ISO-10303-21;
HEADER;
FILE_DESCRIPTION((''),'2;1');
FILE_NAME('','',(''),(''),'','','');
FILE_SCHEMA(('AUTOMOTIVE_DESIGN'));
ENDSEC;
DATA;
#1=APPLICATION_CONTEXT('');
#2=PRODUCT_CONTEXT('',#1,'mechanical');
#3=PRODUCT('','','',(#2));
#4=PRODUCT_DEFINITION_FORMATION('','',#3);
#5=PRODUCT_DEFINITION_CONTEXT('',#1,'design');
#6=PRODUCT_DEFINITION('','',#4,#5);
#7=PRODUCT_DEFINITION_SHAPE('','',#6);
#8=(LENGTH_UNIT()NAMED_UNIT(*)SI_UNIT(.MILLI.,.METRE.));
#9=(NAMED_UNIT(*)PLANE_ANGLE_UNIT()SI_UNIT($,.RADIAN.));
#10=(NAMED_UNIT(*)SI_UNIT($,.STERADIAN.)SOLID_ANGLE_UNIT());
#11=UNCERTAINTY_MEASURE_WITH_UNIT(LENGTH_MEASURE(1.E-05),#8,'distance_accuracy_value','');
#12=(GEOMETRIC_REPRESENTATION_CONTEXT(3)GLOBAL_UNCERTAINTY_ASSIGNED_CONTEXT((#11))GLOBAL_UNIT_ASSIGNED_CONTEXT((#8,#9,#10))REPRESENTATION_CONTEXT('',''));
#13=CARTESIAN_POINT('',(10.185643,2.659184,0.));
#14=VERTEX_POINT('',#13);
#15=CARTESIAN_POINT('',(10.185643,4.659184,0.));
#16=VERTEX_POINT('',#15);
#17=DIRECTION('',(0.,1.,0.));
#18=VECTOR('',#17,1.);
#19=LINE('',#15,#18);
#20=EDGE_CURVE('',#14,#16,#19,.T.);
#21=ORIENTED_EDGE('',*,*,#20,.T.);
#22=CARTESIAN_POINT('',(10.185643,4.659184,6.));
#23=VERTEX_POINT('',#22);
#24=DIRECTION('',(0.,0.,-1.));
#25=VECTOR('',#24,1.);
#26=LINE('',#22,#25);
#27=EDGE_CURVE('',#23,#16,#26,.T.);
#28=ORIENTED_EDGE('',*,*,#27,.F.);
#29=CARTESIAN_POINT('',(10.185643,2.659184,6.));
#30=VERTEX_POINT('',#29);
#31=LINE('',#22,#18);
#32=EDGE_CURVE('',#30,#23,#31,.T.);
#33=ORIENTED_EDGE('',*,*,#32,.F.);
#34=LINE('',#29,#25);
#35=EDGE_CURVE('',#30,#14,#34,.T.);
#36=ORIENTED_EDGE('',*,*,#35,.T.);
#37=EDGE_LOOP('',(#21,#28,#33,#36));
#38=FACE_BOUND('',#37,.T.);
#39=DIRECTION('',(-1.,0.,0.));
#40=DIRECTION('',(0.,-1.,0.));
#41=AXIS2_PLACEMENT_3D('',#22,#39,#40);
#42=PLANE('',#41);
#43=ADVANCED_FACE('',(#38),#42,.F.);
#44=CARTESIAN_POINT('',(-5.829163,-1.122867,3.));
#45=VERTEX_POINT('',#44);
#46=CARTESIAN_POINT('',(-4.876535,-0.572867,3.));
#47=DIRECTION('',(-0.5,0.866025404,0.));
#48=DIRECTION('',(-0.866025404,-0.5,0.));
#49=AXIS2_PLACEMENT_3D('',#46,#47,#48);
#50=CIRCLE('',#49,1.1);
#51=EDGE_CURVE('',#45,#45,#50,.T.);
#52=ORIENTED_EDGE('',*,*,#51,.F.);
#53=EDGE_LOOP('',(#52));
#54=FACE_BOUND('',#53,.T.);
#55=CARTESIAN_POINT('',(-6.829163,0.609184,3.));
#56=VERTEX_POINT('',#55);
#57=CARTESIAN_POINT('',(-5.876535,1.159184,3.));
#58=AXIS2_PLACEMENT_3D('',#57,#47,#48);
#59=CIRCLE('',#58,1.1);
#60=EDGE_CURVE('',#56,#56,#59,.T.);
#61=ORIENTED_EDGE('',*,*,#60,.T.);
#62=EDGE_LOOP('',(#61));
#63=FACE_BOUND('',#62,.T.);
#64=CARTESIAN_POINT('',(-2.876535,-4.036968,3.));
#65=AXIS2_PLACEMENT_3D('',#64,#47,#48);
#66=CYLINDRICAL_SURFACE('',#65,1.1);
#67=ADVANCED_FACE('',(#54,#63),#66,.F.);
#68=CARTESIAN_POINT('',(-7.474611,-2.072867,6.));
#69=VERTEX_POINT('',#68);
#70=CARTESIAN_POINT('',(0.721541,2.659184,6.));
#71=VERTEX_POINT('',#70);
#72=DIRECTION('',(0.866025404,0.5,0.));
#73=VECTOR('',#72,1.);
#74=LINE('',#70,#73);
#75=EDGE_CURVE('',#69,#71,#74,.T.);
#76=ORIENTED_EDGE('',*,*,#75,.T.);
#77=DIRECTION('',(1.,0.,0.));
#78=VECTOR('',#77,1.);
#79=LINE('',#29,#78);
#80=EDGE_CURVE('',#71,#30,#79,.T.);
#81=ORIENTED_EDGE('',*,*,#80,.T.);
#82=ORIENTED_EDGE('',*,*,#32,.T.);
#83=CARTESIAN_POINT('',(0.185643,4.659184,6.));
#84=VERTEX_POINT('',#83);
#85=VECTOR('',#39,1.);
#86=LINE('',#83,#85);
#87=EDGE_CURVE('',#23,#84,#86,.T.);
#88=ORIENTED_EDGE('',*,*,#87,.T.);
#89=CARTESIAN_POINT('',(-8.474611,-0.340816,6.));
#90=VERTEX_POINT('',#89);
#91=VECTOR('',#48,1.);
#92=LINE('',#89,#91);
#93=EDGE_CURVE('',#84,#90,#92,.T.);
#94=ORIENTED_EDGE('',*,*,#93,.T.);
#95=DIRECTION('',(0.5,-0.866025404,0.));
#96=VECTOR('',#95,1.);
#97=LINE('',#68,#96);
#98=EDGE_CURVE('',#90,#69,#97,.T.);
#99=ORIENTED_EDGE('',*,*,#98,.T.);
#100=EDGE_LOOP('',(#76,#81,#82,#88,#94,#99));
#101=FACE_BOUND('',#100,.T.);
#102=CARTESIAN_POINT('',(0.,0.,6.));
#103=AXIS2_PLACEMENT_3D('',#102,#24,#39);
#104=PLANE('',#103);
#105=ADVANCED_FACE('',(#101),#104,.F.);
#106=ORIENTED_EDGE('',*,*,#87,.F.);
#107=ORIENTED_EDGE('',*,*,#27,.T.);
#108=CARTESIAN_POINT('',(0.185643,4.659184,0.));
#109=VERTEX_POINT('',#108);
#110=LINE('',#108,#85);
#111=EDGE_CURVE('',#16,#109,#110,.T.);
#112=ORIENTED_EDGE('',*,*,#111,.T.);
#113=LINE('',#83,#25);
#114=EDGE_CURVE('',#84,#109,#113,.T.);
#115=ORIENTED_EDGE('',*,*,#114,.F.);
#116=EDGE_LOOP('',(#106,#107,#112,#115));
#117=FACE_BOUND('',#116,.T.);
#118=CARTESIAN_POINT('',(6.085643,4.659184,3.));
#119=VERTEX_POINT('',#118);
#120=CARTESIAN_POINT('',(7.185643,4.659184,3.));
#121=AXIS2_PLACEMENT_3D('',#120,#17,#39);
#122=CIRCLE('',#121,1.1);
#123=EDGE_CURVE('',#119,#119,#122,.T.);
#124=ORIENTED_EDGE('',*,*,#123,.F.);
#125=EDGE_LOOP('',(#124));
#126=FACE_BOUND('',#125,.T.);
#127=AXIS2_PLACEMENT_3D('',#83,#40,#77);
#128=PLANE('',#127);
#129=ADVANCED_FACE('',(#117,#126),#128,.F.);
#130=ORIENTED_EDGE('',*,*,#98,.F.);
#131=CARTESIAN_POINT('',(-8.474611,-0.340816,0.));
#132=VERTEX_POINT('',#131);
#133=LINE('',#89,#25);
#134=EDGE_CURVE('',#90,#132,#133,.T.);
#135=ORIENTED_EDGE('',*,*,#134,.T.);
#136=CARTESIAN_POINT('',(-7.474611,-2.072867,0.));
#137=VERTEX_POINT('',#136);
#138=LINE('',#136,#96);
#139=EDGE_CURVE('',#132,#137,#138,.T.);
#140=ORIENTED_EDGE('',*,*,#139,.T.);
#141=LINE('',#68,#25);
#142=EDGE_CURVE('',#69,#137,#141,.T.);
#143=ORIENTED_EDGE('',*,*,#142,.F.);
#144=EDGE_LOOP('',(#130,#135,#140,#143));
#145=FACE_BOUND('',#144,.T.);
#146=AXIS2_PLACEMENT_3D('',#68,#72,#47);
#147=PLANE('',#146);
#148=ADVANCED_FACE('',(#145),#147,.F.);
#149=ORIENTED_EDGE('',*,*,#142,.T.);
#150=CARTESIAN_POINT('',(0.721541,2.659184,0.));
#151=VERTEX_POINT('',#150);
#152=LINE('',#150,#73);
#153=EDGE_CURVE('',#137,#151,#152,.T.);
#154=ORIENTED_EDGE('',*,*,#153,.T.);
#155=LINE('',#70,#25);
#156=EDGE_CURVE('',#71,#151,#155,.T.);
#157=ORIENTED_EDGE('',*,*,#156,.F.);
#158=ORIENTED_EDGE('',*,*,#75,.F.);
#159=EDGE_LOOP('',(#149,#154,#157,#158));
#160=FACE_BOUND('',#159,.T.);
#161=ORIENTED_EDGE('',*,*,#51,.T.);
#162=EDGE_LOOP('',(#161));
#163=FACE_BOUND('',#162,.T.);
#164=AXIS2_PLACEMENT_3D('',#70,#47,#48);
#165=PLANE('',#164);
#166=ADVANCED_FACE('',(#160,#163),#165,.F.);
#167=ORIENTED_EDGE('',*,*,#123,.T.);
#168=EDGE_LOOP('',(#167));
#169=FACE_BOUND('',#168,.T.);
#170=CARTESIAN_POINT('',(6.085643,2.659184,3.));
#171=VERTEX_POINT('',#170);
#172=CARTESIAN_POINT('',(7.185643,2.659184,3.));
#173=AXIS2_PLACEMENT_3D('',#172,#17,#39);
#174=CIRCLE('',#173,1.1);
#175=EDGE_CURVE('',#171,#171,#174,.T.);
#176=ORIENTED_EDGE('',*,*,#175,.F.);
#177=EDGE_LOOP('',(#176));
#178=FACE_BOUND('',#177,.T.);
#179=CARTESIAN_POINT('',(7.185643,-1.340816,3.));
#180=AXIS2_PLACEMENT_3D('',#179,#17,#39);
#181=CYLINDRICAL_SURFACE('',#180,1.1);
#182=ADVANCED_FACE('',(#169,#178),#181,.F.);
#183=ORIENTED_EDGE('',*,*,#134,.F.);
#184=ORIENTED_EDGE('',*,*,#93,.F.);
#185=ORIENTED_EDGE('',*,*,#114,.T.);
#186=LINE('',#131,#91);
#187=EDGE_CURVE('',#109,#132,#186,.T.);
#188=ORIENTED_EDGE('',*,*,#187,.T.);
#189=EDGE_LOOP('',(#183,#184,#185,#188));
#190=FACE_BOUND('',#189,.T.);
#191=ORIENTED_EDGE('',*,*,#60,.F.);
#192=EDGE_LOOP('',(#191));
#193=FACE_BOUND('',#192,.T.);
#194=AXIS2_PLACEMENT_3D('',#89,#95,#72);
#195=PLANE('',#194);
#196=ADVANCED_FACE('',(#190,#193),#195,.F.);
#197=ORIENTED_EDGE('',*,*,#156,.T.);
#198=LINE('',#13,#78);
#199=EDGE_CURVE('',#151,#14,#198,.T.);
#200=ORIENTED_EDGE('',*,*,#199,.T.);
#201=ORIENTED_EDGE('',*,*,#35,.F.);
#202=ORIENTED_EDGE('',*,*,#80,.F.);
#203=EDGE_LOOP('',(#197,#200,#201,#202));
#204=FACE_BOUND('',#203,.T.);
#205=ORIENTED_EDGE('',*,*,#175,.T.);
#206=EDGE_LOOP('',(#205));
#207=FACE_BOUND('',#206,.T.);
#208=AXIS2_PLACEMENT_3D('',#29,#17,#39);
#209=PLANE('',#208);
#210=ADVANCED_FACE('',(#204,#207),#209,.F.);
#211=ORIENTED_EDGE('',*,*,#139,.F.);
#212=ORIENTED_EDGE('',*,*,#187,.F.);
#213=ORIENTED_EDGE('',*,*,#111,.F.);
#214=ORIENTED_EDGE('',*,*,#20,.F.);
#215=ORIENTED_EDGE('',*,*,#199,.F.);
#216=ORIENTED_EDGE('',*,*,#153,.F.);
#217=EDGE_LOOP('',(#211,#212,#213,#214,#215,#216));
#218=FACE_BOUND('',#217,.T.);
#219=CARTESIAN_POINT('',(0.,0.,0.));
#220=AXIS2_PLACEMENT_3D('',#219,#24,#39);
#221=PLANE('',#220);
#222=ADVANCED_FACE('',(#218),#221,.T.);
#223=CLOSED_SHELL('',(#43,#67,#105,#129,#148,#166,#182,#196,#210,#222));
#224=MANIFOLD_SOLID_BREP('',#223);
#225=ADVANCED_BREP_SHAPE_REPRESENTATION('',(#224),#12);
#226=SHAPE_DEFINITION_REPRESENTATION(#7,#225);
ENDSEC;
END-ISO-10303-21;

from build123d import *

# Parameters (mm, degrees)
BOSS_EXTRUDE1_DEPTH = 6
SKETCH2_R           = 1.1
CUT_EXTRUDE1_DEPTH  = 6
SKETCH3_R           = 1.1
CUT_EXTRUDE2_DEPTH  = 6


with BuildPart() as part:
    # Sketch1 → Boss-Extrude1 (new body)
    with BuildSketch(Plane.XY):
        Polygon((-8.474611219, -0.340815919), (0.185642819, 4.659184081), (10.185642819, 4.659184081), (10.185642819, 2.659184081), (0.721541204, 2.659184081), (-7.474611219, -2.072866727), align=None)
    extrude(amount=BOSS_EXTRUDE1_DEPTH)

    # Sketch2 → Cut-Extrude1 (cut)
    with BuildSketch(Plane(origin=(0, 4.659184081, 0), x_dir=(1, 0, 0), z_dir=(0, 1, 0))):
        with Locations(Location((7.185642819, -3, 0), (0, 0, 180))):
            Circle(SKETCH2_R)
    extrude(amount=-CUT_EXTRUDE1_DEPTH, mode=Mode.SUBTRACT)

    # Sketch3 → Cut-Extrude2 (cut)
    with BuildSketch(Plane(origin=(-1.971075183, 3.414002362, 0), x_dir=(0.866025403784438, 0.5000000000000012, 0), z_dir=(-0.5000000000000012, 0.866025403784438, 0))):
        with Locations(Location((-4.509636562, -3, 0), (0, 0, 180))):
            Circle(SKETCH3_R)
    extrude(amount=-CUT_EXTRUDE2_DEPTH, mode=Mode.SUBTRACT)


solid = part.part
